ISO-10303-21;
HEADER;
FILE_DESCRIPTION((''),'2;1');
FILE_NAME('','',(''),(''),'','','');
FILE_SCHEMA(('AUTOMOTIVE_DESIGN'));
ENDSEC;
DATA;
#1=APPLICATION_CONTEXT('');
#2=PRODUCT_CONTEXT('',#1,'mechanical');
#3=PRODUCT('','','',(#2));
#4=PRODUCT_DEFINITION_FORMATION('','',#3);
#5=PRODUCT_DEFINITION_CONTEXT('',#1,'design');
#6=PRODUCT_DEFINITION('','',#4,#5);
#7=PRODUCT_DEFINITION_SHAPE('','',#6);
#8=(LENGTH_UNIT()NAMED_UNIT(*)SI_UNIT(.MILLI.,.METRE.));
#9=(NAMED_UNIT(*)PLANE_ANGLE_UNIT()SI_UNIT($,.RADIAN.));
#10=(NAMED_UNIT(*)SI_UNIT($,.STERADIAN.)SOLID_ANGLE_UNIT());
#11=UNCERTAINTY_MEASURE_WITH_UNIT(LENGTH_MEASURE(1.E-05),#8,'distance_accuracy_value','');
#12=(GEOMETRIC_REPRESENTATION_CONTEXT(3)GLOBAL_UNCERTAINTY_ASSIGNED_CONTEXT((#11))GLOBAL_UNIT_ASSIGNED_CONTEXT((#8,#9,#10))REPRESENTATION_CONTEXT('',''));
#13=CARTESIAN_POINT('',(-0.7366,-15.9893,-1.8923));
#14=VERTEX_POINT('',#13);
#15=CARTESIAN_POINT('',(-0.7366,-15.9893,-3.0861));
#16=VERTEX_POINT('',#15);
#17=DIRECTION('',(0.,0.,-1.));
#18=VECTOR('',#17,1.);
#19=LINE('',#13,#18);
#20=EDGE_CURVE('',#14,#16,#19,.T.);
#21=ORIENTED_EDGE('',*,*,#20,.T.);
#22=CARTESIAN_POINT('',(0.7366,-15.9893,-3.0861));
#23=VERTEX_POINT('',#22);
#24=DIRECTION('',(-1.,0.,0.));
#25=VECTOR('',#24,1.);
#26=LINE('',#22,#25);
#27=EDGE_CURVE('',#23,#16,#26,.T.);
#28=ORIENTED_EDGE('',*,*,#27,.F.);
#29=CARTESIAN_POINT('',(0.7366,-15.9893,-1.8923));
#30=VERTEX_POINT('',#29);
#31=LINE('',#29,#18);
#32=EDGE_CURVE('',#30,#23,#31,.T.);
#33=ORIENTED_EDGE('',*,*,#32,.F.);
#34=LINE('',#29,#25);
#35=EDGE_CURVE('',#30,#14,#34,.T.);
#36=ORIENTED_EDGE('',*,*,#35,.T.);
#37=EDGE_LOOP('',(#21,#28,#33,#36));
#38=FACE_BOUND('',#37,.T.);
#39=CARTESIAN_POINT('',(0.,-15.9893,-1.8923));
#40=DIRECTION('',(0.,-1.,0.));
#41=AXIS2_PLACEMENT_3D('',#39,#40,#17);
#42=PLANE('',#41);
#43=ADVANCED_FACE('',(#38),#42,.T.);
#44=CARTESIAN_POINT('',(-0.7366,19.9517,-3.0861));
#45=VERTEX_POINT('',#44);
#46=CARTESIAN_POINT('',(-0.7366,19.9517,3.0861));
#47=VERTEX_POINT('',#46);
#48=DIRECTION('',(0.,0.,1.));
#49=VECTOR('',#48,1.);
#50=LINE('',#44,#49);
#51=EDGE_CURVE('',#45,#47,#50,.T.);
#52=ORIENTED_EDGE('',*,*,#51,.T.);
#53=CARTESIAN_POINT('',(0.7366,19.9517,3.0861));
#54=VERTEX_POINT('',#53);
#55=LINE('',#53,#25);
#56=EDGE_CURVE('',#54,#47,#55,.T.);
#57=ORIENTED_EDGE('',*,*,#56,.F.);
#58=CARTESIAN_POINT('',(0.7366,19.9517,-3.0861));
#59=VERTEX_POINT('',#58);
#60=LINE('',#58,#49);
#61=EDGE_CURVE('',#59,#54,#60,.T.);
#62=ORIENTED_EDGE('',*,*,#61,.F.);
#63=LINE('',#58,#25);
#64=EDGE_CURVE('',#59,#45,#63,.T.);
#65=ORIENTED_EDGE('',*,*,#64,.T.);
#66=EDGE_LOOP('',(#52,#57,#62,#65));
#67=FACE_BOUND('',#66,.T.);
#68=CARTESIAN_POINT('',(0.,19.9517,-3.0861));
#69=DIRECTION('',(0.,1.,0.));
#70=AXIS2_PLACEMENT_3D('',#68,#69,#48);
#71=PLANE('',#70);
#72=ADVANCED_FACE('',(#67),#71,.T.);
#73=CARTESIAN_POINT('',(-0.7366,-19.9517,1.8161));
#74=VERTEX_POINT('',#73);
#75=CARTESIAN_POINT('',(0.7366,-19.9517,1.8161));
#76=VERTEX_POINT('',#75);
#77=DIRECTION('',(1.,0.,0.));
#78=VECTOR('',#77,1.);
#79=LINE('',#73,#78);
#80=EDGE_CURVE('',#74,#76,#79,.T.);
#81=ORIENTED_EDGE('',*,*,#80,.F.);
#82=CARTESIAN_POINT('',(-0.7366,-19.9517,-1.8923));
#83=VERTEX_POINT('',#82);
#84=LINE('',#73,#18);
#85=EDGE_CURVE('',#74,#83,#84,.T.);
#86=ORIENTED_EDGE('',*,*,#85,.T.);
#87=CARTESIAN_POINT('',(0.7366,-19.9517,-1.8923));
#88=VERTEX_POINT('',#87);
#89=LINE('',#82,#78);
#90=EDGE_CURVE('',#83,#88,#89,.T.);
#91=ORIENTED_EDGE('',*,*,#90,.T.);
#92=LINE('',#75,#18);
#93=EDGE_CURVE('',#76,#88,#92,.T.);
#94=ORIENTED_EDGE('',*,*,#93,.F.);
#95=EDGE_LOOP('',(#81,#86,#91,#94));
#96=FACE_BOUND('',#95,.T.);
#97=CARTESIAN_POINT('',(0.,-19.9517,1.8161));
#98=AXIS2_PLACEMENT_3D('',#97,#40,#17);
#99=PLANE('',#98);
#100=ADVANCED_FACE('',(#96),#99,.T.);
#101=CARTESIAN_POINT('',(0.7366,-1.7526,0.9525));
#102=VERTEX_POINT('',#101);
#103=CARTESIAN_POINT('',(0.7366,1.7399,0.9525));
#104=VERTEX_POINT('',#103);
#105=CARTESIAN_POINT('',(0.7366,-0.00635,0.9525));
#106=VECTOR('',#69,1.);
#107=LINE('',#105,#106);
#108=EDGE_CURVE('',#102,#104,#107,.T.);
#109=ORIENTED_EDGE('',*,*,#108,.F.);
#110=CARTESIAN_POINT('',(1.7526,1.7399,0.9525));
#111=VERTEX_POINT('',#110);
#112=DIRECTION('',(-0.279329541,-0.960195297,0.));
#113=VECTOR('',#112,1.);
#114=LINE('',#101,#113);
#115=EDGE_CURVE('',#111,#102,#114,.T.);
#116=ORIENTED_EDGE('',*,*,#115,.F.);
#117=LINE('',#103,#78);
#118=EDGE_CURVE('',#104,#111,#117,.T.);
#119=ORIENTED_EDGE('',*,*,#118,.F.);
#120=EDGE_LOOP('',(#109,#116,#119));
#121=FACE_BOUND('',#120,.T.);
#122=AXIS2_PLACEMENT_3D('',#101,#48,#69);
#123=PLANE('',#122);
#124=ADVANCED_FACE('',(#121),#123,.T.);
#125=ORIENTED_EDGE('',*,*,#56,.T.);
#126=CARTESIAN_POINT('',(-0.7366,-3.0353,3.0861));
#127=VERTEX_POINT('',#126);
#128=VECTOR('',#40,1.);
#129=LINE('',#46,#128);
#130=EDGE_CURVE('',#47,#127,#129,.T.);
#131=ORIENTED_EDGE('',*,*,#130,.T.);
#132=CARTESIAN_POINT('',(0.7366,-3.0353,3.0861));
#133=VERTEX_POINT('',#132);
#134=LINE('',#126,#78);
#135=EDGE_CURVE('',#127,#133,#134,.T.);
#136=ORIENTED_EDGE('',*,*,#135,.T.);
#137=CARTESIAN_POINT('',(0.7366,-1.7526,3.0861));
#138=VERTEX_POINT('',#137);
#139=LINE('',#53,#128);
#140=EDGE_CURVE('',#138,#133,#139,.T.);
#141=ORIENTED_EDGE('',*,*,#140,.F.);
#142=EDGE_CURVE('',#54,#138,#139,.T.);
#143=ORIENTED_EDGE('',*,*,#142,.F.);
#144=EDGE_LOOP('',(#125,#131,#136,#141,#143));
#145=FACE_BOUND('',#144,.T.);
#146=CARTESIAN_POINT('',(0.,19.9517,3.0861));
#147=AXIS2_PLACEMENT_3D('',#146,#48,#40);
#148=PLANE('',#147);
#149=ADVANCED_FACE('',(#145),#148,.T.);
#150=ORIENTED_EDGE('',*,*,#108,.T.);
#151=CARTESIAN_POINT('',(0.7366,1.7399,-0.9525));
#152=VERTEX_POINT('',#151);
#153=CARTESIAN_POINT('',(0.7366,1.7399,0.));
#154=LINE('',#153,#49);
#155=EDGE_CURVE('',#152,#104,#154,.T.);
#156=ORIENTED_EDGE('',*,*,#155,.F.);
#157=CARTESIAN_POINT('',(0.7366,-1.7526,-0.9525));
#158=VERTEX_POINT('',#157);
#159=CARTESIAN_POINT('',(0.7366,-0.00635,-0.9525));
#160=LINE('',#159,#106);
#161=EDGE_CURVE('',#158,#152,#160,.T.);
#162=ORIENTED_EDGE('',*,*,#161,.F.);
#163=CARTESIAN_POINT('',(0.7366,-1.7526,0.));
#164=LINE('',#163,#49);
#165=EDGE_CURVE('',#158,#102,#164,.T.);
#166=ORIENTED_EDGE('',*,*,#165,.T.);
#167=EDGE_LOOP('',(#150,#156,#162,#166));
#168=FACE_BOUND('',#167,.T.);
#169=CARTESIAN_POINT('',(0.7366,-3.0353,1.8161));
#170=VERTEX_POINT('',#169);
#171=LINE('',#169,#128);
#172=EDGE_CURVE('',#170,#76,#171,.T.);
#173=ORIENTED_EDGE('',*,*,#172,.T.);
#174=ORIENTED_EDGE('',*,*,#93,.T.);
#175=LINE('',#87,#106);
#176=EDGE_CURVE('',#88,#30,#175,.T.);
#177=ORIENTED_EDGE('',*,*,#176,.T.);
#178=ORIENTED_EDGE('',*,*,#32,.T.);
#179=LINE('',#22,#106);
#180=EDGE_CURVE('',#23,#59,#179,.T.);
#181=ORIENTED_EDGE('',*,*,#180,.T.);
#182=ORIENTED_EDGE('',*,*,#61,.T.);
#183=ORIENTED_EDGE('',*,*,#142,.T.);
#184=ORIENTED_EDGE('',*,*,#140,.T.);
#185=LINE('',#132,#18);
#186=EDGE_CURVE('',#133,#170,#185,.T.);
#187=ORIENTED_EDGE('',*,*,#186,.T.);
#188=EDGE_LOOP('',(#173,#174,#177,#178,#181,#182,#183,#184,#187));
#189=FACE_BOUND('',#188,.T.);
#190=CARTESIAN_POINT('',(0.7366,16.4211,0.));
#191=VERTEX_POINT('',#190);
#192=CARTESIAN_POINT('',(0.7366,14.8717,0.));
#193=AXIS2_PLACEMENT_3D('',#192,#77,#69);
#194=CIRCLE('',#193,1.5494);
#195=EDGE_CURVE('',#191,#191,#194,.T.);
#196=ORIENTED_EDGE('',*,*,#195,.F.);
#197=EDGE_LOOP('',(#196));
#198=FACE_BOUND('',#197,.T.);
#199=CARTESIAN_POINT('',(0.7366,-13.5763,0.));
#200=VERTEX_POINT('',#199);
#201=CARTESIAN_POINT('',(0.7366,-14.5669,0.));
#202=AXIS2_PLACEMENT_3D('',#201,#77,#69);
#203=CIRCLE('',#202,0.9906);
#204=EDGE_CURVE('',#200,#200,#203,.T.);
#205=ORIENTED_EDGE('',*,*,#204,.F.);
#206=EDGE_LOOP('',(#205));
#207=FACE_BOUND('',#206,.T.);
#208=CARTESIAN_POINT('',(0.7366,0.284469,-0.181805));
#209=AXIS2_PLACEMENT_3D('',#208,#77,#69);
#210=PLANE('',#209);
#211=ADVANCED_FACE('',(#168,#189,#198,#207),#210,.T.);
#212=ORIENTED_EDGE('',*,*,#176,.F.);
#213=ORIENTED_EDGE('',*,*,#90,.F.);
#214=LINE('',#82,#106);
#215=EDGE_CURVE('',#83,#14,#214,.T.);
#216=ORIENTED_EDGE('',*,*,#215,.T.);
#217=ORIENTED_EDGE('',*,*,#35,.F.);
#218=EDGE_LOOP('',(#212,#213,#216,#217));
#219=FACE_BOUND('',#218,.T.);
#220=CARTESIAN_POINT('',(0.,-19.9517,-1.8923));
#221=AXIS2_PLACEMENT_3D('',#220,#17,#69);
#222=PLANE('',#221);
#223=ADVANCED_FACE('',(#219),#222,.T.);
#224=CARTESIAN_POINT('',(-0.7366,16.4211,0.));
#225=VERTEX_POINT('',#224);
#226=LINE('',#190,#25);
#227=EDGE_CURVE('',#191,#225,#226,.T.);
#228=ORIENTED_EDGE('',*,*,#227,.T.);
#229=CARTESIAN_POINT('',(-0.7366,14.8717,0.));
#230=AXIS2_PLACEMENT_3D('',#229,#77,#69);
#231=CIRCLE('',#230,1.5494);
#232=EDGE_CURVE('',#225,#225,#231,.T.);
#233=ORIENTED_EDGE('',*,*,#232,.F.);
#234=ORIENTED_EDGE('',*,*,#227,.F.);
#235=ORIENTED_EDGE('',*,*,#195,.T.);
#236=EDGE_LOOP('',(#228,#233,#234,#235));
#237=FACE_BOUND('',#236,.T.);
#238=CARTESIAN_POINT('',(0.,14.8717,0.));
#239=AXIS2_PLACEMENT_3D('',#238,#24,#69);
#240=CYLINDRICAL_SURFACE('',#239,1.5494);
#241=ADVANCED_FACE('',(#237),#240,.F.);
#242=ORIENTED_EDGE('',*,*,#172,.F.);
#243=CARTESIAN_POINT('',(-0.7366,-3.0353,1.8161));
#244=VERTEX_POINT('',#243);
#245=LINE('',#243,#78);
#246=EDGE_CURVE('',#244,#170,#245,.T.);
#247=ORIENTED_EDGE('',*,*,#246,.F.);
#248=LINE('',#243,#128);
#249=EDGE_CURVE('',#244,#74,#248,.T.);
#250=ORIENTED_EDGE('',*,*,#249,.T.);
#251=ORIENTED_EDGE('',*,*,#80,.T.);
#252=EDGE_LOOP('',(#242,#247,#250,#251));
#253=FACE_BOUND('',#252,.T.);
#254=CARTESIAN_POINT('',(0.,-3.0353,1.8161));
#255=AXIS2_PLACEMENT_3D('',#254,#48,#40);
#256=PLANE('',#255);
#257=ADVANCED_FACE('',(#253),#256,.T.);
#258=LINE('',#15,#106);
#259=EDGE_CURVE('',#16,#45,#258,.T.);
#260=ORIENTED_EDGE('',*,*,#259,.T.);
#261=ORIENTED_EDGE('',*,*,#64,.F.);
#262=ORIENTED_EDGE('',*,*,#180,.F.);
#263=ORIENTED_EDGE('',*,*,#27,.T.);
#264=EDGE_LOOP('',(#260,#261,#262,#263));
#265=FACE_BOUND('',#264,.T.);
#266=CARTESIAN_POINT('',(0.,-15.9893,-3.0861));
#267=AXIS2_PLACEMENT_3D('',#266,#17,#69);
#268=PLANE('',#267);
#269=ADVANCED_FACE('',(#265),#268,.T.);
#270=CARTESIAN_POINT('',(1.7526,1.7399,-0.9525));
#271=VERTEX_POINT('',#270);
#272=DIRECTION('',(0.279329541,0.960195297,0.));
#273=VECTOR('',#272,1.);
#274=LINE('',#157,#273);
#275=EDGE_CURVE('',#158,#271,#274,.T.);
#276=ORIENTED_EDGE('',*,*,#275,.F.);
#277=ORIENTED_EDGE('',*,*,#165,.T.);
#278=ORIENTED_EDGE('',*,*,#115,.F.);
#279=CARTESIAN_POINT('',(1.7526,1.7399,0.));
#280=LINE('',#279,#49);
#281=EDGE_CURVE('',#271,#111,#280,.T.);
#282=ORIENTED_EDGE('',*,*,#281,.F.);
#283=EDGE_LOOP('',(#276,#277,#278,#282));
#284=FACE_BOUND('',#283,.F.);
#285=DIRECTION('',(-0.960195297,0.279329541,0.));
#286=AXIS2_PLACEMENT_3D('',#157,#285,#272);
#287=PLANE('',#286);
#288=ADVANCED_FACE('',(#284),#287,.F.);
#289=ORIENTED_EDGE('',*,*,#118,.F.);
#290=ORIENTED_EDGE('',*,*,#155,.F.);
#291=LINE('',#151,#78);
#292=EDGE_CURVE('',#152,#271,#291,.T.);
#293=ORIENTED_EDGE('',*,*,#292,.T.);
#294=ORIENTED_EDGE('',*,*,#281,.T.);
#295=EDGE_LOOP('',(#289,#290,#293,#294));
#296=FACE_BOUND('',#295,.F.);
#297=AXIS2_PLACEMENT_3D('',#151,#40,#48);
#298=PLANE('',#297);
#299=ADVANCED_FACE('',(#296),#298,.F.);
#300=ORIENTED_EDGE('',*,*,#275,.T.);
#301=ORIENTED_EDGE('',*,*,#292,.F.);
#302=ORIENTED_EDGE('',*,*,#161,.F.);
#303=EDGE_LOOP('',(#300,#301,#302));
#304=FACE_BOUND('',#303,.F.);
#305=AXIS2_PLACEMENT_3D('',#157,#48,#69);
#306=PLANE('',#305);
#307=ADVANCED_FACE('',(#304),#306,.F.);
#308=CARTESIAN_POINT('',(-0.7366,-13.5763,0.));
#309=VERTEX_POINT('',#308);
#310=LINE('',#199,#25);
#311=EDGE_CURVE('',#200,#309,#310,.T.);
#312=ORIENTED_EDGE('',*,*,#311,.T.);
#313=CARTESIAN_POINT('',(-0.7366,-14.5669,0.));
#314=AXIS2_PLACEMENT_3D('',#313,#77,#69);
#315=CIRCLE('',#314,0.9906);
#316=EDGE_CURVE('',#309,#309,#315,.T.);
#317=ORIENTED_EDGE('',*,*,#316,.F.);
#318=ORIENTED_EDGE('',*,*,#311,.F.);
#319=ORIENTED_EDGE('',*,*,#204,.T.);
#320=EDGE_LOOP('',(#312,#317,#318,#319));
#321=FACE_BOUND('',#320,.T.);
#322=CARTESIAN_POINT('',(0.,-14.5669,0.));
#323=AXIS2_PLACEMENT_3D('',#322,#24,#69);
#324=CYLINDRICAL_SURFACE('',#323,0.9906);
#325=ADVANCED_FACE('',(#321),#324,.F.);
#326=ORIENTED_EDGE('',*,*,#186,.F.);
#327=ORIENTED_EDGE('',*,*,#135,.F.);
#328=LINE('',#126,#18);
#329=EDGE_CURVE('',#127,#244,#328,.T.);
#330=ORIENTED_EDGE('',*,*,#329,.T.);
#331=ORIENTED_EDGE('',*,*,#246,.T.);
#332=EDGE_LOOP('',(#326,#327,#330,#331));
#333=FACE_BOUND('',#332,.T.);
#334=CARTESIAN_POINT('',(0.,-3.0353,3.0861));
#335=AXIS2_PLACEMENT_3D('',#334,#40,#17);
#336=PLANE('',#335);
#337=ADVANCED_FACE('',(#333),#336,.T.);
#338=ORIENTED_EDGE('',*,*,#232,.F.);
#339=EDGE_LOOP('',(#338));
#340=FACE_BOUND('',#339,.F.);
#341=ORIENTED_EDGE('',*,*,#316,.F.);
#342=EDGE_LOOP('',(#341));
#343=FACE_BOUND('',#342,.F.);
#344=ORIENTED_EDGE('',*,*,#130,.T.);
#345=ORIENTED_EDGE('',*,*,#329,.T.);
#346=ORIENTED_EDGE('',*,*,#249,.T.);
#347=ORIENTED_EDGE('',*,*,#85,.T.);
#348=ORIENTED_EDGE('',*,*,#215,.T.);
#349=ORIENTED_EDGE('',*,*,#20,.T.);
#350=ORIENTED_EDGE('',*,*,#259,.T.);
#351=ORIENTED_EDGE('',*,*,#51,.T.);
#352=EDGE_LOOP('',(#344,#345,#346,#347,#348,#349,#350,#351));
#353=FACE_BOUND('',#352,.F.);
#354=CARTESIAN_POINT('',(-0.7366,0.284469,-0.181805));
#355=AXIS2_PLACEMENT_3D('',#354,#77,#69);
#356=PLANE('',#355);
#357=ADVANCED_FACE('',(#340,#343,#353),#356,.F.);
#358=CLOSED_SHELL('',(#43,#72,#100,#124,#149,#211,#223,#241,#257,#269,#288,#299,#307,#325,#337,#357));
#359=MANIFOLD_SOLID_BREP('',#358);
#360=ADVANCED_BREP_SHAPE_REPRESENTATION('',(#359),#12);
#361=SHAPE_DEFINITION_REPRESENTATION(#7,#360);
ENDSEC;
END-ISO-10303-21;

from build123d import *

# Parameters (mm, degrees)
F0_R     = 0.9906
F0_R_2   = 1.5494
F1_DEPTH = 0.7366
F2_W     = 3.4925
F2_H     = 1.905
F3_DEPTH = 1.016
F5_DEPTH = 25.4


with BuildPart() as f1:
    # F0 (on Right) → F1 (new body, symmetric)
    with BuildSketch(Plane.YZ):
        Polygon((19.9517, 3.0861), (-3.0353, 3.0861), (-3.0353, 1.8161), (-19.9517, 1.8161), (-19.9517, -1.8923), (-15.9893, -1.8923), (-15.9893, -3.0861), (19.9517, -3.0861), align=None)
        with Locations((-14.5669, 0)):
            Circle(F0_R, mode=Mode.SUBTRACT)
        with Locations((14.8717, 0)):
            Circle(F0_R_2, mode=Mode.SUBTRACT)
    extrude(amount=F1_DEPTH, both=True)

    # F2 (on face) → F3 (join)
    with BuildSketch(Plane.YZ.offset(0.7366)):
        with Locations((-0.00635, 0)):
            Rectangle(F2_W, F2_H)
    extrude(amount=F3_DEPTH)

    # F4 (on face) → F5 (cut)
    with BuildSketch(Plane(origin=(0, 0, -0.9525), x_dir=(1, 0, 0), z_dir=(0, 0, -1))):
        Polygon((1.7526, 1.7526), (0.7366, 1.7526), (1.7526, -1.7399), align=None)
    extrude(amount=-F5_DEPTH, mode=Mode.SUBTRACT)


solid = f1.part
